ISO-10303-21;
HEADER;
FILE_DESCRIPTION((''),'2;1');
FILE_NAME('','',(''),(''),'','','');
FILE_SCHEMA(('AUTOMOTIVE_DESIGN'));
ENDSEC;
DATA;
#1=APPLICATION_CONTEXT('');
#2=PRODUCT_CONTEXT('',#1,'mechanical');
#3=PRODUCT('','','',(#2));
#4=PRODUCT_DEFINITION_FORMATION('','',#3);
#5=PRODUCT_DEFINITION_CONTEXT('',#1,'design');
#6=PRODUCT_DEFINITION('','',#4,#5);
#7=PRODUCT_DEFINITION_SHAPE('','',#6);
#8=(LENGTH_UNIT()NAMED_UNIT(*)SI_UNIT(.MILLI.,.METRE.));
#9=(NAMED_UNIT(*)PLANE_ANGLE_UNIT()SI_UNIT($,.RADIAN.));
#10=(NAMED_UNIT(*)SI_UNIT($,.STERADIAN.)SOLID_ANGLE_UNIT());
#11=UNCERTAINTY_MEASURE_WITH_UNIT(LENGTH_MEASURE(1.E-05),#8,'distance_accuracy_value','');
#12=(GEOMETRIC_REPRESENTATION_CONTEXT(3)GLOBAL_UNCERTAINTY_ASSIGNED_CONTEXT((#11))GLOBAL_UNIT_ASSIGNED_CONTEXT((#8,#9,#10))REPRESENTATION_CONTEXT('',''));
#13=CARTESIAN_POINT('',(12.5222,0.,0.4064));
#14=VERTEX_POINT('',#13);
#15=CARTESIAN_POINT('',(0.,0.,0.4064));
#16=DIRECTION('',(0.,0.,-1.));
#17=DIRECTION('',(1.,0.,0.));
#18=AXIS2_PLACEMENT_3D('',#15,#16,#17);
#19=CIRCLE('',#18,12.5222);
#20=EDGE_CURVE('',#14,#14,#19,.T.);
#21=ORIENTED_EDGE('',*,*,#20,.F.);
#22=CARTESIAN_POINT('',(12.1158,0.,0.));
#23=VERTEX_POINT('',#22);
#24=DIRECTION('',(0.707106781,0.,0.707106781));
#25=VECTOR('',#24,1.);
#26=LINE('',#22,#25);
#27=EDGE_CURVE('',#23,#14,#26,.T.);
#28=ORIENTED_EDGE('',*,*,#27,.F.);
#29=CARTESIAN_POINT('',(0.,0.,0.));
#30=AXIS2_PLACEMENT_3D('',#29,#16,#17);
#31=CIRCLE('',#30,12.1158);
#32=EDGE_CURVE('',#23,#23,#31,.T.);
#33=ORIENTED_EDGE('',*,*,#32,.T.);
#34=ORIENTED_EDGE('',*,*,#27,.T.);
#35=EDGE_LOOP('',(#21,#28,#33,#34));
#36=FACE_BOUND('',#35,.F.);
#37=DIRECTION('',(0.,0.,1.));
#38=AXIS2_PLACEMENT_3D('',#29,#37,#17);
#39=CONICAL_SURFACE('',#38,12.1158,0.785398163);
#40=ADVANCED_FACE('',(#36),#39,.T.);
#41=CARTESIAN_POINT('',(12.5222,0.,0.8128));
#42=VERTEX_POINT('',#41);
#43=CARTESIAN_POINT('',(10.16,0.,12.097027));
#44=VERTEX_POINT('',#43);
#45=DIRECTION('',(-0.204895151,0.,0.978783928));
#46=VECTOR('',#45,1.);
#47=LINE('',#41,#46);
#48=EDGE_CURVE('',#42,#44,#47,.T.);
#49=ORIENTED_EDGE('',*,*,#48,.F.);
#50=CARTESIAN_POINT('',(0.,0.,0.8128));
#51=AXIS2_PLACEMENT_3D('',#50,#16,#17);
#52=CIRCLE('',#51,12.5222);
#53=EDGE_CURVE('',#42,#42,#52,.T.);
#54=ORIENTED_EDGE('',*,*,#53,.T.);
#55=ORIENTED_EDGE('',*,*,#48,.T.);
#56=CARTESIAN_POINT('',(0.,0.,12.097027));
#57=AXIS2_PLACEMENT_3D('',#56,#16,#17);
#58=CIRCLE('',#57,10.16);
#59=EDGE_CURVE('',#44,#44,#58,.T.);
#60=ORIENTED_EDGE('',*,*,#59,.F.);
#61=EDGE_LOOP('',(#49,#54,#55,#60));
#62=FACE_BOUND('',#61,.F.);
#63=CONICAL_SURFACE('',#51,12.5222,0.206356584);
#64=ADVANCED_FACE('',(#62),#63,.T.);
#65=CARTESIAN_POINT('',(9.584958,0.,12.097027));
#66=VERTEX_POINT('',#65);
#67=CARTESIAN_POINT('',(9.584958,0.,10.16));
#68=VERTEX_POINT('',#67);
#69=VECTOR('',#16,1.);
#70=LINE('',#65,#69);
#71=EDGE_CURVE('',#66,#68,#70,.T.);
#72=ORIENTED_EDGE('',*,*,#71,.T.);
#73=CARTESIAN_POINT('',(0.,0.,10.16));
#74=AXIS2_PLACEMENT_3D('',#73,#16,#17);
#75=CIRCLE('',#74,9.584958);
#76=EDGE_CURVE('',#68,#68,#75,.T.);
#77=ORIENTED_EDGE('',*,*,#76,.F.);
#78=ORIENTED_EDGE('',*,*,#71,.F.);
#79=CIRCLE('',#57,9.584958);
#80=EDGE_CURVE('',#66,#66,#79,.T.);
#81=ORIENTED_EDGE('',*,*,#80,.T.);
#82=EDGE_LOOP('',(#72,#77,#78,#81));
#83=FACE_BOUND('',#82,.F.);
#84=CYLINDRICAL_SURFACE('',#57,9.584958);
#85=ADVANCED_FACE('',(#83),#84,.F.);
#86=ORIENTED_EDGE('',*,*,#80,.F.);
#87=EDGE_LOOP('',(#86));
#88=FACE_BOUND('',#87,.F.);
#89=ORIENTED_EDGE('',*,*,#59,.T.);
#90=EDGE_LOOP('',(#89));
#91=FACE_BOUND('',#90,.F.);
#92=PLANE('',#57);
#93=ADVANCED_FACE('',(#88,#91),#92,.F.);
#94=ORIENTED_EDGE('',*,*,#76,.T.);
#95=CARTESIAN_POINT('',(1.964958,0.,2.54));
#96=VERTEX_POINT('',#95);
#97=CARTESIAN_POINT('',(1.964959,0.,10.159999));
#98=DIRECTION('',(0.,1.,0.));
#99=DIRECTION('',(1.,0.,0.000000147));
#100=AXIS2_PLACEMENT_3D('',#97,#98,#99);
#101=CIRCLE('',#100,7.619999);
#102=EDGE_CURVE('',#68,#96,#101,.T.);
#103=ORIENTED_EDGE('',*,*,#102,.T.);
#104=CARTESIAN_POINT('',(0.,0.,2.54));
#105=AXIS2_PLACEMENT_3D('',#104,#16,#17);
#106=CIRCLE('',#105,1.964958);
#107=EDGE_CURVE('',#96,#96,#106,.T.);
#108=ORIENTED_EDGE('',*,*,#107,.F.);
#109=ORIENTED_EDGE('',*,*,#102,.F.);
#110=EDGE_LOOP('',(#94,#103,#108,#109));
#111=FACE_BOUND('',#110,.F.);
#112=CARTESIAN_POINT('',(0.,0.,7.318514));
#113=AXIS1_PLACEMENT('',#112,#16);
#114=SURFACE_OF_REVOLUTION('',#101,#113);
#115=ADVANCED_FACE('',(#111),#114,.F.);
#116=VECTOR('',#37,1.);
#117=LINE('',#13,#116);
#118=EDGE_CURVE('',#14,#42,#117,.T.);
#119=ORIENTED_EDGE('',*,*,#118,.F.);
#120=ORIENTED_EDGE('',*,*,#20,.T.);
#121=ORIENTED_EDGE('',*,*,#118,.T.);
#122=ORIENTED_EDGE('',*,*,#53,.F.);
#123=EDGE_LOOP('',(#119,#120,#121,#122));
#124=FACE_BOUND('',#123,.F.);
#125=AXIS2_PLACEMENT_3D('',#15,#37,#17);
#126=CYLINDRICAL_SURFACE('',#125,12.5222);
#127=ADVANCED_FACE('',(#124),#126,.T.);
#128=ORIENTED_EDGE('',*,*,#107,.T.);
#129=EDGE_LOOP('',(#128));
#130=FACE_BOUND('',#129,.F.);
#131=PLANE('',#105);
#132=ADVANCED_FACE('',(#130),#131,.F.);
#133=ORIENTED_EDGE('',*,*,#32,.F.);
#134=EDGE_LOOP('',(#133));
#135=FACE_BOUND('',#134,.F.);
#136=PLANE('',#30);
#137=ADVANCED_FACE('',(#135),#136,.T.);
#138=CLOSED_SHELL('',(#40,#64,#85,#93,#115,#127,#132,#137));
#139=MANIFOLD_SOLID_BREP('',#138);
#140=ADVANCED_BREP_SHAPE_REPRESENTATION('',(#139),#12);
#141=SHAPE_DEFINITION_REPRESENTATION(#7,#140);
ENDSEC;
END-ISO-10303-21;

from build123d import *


with BuildPart() as f1:
    # F0 (on Front) → F1 (revolve)
    with BuildSketch(Plane.XZ):
        with BuildLine():
            Line((0, 2.54), (0, 0))
            Line((0, 0), (12.1158, 0))
            Line((12.1158, 0), (12.5222, 0.4064))
            Line((12.5222, 0.4064), (12.5222, 0.8128))
            Line((12.5222, 0.8128), (10.16, 12.097027))
            Line((10.16, 12.097027), (9.584958, 12.097027))
            Line((9.584958, 12.097027), (9.584958, 10.16))
            ThreePointArc((9.584958, 10.16), (7.353112, 4.771846), (1.964958, 2.54))
            Line((1.964958, 2.54), (0, 2.54))
        make_face()
    revolve(axis=Axis((0, 0, 7.318514), (0, 0, -1)))


solid = f1.part
